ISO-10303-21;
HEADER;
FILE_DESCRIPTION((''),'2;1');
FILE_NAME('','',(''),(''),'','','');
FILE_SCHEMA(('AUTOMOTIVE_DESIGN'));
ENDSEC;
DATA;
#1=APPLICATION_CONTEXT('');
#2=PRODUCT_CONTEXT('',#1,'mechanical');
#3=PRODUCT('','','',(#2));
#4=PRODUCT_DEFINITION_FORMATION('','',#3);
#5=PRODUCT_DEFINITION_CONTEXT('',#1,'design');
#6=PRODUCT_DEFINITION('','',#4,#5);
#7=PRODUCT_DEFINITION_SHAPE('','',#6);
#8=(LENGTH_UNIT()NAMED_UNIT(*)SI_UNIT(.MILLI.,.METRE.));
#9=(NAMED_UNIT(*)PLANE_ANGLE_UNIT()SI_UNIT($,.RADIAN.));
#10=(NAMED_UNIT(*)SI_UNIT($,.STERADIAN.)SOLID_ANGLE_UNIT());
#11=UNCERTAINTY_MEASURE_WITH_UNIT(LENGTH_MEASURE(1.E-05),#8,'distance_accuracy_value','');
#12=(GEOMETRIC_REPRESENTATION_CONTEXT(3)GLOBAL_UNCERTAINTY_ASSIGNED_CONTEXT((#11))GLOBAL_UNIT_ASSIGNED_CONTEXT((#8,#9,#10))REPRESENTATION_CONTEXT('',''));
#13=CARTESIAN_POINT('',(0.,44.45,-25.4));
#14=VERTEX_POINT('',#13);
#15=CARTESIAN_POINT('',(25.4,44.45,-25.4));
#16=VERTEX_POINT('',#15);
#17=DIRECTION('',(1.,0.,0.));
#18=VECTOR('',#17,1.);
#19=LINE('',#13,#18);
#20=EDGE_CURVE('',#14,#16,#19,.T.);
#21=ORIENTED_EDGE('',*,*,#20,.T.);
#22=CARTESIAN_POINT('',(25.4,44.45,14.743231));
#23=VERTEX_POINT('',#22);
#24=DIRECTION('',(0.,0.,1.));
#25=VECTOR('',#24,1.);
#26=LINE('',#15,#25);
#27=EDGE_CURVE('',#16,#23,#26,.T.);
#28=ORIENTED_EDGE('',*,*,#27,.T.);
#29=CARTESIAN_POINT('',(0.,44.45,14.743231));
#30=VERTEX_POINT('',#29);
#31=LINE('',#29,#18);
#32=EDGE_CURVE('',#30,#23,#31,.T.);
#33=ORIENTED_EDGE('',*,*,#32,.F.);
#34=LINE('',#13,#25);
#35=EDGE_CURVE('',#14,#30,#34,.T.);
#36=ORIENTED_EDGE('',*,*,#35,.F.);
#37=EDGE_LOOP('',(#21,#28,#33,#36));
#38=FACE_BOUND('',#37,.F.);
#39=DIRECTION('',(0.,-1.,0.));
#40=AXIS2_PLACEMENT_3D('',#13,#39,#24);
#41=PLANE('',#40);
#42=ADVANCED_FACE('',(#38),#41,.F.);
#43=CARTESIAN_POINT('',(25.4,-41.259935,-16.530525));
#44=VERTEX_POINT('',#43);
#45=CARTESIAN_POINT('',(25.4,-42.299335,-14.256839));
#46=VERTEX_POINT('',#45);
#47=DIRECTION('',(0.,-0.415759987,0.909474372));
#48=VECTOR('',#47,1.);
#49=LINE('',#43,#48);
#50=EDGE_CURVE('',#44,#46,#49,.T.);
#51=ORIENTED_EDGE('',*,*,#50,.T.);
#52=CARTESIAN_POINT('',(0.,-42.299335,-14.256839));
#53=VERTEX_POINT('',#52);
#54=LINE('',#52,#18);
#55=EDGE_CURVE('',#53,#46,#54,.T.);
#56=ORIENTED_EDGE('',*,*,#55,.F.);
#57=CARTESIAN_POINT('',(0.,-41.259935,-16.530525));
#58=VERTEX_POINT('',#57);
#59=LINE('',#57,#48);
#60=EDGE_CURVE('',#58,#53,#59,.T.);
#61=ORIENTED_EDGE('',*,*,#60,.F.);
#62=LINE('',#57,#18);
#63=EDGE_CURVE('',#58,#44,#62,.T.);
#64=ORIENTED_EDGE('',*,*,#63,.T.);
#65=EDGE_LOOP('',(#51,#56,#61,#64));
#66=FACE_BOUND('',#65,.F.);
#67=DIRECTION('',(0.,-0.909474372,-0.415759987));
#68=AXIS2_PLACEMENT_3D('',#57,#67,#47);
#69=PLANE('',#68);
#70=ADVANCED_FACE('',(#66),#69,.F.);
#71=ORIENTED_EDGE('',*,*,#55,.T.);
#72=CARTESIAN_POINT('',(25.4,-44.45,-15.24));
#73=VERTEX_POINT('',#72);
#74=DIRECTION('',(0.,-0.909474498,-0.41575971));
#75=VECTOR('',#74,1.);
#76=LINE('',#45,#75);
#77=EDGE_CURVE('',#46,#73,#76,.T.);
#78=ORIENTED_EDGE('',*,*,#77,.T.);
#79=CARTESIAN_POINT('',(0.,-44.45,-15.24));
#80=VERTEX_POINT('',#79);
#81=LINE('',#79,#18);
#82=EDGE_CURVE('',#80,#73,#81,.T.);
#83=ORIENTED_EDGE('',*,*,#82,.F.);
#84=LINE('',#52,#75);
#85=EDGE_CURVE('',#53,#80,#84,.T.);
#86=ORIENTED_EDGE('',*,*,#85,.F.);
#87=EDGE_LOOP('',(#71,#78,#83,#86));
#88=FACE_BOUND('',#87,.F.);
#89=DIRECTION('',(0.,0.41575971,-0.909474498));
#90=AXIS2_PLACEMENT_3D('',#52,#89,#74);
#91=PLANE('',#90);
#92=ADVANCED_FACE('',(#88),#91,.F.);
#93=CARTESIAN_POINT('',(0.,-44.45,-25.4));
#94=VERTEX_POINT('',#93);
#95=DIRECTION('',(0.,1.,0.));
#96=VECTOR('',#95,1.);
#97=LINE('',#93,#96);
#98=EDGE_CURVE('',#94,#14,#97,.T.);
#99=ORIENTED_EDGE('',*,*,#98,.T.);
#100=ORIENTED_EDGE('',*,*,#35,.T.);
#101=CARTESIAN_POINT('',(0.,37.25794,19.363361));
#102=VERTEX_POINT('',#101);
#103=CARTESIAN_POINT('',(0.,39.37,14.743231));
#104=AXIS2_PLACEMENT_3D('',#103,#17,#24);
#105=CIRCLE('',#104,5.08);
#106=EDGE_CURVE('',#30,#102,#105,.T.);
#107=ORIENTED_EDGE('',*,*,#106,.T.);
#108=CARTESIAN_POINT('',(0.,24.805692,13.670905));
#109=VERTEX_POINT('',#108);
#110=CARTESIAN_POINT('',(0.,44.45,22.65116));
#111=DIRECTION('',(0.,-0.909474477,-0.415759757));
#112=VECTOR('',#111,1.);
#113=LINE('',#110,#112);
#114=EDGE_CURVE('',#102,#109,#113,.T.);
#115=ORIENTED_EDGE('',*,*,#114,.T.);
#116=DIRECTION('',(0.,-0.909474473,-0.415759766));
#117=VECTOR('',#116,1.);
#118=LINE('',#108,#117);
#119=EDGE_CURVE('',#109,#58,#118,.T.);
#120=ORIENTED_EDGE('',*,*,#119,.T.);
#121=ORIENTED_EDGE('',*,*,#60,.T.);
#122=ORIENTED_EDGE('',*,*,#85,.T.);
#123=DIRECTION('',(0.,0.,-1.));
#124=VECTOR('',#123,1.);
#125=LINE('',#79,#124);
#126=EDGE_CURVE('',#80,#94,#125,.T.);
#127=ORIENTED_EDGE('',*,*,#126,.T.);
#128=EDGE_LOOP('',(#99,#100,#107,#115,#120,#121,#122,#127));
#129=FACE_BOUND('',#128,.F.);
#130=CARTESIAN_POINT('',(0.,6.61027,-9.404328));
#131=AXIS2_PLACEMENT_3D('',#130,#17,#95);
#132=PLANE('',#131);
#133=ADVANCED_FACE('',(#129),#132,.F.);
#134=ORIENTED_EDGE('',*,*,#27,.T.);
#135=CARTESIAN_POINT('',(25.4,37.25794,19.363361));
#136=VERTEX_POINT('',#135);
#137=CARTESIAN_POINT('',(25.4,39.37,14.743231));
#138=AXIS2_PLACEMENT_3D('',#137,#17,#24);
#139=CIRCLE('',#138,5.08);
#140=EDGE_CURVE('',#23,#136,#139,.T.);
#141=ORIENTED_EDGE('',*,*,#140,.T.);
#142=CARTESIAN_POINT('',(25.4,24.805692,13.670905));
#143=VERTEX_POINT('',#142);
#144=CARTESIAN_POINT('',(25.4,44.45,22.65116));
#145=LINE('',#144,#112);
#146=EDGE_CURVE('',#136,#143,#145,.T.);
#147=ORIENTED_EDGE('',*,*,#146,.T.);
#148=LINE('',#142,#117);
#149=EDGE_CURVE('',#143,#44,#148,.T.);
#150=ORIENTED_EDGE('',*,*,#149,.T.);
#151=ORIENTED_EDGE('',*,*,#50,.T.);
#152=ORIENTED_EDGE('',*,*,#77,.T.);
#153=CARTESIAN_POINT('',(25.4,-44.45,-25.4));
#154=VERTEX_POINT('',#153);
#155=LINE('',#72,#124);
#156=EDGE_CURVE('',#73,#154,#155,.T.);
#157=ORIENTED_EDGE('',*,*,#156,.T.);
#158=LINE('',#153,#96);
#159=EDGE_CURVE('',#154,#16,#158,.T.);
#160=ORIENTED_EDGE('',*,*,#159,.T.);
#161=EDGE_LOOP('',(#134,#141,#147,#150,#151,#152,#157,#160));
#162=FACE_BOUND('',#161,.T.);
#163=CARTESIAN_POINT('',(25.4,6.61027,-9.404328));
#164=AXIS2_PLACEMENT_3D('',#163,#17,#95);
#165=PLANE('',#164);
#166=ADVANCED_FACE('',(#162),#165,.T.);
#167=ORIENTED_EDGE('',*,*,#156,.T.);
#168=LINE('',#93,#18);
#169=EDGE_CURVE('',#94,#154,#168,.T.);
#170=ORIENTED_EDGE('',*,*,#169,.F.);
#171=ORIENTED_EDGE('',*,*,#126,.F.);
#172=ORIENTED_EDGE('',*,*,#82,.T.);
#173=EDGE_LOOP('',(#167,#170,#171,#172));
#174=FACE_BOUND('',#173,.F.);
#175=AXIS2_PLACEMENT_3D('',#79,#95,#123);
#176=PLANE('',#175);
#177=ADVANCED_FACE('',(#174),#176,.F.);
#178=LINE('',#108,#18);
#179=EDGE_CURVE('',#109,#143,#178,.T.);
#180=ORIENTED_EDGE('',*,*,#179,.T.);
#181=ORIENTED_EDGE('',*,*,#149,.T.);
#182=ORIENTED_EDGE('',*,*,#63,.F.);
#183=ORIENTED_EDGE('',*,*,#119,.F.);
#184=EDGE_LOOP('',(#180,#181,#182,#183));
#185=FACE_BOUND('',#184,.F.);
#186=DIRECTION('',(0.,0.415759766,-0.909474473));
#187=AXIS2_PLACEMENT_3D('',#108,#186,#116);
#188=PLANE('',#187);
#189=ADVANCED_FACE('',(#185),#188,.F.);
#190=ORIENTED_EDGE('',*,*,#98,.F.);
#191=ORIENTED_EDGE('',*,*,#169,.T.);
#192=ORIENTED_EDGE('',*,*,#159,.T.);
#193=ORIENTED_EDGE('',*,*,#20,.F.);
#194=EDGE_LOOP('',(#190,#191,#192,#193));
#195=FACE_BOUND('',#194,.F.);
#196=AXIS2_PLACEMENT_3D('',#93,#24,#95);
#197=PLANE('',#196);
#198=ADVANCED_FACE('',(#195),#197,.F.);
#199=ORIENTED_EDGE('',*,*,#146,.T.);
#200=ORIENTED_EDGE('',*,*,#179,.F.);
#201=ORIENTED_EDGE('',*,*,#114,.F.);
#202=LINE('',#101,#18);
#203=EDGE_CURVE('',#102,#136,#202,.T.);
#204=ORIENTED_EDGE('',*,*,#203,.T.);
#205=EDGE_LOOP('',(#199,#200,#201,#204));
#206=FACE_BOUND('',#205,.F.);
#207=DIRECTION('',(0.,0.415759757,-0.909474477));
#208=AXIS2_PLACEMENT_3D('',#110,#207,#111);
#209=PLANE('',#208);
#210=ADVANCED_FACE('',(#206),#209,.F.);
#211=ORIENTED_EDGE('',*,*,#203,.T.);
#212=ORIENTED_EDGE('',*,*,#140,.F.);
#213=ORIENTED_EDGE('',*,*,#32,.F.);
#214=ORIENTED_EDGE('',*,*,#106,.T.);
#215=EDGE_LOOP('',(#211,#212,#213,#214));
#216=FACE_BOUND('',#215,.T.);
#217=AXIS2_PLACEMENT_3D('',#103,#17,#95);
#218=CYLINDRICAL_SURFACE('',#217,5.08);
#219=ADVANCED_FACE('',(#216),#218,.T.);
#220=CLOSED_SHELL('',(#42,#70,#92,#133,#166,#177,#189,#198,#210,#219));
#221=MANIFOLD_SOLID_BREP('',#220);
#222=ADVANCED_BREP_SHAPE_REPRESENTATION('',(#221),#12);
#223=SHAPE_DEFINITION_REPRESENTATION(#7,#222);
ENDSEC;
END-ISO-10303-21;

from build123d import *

# Parameters (mm, degrees)
F1_DEPTH = 25.4
F2_R     = 5.08


with BuildPart() as f1:
    # F0 (on Right) → F1 (new body)
    with BuildSketch(Plane.YZ):
        Polygon((-44.45, -15.24), (-44.45, -25.4), (44.45, -25.4), (44.45, 22.65116), (24.805692, 13.670905), (-41.259935, -16.530525), (-42.299335, -14.256839), align=None)
    extrude(amount=F1_DEPTH)

    # F2
    f2_edges = [f1.edges().sort_by_distance(p)[0] for p in [
        (12.7, 44.45, 22.65116),
    ]]
    fillet(f2_edges, radius=F2_R)


solid = f1.part
